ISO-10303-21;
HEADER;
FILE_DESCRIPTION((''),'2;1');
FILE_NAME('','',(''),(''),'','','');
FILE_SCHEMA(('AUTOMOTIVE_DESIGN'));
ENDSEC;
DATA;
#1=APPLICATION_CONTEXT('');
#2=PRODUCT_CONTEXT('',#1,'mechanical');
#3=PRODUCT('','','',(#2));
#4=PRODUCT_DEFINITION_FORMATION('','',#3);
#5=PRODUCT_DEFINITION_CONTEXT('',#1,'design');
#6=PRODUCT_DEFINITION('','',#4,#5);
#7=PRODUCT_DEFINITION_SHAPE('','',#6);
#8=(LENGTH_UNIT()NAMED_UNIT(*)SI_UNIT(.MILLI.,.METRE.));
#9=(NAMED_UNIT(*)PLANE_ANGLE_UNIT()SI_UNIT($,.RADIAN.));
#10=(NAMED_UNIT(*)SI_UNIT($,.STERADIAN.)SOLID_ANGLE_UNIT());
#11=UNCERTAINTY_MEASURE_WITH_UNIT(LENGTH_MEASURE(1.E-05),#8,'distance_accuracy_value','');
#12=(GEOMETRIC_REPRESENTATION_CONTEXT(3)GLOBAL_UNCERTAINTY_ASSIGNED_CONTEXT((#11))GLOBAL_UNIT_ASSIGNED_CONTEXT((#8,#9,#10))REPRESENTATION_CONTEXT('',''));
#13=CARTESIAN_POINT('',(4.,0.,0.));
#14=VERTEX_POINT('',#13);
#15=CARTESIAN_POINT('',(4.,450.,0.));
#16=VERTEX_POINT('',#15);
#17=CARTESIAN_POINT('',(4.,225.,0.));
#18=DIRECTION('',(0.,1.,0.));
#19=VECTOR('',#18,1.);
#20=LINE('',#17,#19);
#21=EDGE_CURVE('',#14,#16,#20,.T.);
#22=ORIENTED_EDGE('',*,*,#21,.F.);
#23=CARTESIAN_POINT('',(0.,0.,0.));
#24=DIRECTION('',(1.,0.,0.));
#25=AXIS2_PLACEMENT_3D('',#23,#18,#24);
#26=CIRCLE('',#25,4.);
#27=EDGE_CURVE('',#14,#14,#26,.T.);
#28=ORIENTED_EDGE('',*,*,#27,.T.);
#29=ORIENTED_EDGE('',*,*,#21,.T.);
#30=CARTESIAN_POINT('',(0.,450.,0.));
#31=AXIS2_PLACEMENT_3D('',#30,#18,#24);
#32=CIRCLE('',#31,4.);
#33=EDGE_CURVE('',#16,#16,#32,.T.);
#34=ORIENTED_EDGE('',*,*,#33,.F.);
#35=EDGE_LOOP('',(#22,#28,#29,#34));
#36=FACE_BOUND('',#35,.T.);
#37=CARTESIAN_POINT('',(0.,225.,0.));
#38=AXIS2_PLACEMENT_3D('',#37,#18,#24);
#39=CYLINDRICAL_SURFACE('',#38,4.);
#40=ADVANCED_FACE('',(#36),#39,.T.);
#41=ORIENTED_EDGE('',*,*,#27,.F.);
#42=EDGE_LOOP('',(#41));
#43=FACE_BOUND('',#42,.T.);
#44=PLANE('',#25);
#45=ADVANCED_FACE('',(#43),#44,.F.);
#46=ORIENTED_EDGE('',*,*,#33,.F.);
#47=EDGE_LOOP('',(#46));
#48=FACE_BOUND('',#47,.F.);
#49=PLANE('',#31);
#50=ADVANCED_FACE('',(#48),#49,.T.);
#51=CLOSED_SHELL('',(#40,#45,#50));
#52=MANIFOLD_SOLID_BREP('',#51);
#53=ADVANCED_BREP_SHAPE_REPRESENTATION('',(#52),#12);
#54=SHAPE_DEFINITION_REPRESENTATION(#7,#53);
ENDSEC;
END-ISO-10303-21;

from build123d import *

# Parameters (mm, degrees)
SKETCH1_W = 4
SKETCH1_H = 450


with BuildPart() as part:
    # Sketch1 → Revolve1 (revolve)
    with BuildSketch(Plane.XY):
        with Locations((2, 225)):
            Rectangle(SKETCH1_W, SKETCH1_H)
    revolve(axis=Axis((0, 0, 0), (0, 1, 0)))


solid = part.part
